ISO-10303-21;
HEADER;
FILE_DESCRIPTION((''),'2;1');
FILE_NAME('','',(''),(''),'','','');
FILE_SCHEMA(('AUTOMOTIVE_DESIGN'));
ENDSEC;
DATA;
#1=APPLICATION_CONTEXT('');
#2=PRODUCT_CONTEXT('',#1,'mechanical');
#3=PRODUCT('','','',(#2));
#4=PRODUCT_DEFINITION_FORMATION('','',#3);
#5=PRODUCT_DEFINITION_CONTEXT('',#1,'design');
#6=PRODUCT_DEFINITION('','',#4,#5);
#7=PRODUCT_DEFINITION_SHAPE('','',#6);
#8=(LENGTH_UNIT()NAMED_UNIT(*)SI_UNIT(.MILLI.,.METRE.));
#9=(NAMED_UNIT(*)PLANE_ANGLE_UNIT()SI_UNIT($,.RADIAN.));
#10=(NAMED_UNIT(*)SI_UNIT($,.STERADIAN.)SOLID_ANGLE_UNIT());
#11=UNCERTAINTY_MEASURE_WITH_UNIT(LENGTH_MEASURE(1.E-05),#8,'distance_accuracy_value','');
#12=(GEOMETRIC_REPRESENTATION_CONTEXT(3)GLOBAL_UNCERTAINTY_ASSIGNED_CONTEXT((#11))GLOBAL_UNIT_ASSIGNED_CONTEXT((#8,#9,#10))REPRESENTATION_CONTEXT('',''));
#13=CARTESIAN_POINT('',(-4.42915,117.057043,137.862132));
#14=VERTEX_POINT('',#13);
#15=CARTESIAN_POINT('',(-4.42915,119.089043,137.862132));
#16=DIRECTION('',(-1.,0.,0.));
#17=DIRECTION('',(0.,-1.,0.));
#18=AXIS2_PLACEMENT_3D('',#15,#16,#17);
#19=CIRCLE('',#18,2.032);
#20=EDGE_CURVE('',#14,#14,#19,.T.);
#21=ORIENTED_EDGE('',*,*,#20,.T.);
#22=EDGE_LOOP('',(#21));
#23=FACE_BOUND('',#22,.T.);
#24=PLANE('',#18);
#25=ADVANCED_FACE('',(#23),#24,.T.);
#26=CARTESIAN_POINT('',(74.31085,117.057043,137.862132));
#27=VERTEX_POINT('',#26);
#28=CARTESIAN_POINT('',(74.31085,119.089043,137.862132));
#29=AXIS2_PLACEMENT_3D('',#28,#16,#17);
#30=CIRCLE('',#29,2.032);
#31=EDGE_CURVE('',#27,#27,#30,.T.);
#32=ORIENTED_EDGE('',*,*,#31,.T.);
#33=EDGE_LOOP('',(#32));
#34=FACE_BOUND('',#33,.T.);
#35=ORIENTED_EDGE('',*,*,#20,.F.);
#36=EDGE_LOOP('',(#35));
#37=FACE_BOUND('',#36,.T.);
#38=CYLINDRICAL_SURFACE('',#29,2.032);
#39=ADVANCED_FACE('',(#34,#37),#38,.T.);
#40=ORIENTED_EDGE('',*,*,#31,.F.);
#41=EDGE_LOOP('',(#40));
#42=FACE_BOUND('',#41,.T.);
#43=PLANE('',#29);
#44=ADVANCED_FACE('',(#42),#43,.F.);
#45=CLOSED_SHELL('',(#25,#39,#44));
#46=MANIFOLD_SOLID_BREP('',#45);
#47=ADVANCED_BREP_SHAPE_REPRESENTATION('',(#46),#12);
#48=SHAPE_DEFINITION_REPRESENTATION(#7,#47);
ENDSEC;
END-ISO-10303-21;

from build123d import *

# Parameters (mm, degrees)
SKETCH1_R           = 2.032
BOSS_EXTRUDE1_DEPTH = 78.74


with BuildPart() as part:
    # Sketch1 → Boss-Extrude1 (new body)
    with BuildSketch(Plane.ZY.offset(4.429149881)):
        with Locations((137.862132194, 119.089042557)):
            Circle(SKETCH1_R)
    extrude(amount=-BOSS_EXTRUDE1_DEPTH)


solid = part.part
